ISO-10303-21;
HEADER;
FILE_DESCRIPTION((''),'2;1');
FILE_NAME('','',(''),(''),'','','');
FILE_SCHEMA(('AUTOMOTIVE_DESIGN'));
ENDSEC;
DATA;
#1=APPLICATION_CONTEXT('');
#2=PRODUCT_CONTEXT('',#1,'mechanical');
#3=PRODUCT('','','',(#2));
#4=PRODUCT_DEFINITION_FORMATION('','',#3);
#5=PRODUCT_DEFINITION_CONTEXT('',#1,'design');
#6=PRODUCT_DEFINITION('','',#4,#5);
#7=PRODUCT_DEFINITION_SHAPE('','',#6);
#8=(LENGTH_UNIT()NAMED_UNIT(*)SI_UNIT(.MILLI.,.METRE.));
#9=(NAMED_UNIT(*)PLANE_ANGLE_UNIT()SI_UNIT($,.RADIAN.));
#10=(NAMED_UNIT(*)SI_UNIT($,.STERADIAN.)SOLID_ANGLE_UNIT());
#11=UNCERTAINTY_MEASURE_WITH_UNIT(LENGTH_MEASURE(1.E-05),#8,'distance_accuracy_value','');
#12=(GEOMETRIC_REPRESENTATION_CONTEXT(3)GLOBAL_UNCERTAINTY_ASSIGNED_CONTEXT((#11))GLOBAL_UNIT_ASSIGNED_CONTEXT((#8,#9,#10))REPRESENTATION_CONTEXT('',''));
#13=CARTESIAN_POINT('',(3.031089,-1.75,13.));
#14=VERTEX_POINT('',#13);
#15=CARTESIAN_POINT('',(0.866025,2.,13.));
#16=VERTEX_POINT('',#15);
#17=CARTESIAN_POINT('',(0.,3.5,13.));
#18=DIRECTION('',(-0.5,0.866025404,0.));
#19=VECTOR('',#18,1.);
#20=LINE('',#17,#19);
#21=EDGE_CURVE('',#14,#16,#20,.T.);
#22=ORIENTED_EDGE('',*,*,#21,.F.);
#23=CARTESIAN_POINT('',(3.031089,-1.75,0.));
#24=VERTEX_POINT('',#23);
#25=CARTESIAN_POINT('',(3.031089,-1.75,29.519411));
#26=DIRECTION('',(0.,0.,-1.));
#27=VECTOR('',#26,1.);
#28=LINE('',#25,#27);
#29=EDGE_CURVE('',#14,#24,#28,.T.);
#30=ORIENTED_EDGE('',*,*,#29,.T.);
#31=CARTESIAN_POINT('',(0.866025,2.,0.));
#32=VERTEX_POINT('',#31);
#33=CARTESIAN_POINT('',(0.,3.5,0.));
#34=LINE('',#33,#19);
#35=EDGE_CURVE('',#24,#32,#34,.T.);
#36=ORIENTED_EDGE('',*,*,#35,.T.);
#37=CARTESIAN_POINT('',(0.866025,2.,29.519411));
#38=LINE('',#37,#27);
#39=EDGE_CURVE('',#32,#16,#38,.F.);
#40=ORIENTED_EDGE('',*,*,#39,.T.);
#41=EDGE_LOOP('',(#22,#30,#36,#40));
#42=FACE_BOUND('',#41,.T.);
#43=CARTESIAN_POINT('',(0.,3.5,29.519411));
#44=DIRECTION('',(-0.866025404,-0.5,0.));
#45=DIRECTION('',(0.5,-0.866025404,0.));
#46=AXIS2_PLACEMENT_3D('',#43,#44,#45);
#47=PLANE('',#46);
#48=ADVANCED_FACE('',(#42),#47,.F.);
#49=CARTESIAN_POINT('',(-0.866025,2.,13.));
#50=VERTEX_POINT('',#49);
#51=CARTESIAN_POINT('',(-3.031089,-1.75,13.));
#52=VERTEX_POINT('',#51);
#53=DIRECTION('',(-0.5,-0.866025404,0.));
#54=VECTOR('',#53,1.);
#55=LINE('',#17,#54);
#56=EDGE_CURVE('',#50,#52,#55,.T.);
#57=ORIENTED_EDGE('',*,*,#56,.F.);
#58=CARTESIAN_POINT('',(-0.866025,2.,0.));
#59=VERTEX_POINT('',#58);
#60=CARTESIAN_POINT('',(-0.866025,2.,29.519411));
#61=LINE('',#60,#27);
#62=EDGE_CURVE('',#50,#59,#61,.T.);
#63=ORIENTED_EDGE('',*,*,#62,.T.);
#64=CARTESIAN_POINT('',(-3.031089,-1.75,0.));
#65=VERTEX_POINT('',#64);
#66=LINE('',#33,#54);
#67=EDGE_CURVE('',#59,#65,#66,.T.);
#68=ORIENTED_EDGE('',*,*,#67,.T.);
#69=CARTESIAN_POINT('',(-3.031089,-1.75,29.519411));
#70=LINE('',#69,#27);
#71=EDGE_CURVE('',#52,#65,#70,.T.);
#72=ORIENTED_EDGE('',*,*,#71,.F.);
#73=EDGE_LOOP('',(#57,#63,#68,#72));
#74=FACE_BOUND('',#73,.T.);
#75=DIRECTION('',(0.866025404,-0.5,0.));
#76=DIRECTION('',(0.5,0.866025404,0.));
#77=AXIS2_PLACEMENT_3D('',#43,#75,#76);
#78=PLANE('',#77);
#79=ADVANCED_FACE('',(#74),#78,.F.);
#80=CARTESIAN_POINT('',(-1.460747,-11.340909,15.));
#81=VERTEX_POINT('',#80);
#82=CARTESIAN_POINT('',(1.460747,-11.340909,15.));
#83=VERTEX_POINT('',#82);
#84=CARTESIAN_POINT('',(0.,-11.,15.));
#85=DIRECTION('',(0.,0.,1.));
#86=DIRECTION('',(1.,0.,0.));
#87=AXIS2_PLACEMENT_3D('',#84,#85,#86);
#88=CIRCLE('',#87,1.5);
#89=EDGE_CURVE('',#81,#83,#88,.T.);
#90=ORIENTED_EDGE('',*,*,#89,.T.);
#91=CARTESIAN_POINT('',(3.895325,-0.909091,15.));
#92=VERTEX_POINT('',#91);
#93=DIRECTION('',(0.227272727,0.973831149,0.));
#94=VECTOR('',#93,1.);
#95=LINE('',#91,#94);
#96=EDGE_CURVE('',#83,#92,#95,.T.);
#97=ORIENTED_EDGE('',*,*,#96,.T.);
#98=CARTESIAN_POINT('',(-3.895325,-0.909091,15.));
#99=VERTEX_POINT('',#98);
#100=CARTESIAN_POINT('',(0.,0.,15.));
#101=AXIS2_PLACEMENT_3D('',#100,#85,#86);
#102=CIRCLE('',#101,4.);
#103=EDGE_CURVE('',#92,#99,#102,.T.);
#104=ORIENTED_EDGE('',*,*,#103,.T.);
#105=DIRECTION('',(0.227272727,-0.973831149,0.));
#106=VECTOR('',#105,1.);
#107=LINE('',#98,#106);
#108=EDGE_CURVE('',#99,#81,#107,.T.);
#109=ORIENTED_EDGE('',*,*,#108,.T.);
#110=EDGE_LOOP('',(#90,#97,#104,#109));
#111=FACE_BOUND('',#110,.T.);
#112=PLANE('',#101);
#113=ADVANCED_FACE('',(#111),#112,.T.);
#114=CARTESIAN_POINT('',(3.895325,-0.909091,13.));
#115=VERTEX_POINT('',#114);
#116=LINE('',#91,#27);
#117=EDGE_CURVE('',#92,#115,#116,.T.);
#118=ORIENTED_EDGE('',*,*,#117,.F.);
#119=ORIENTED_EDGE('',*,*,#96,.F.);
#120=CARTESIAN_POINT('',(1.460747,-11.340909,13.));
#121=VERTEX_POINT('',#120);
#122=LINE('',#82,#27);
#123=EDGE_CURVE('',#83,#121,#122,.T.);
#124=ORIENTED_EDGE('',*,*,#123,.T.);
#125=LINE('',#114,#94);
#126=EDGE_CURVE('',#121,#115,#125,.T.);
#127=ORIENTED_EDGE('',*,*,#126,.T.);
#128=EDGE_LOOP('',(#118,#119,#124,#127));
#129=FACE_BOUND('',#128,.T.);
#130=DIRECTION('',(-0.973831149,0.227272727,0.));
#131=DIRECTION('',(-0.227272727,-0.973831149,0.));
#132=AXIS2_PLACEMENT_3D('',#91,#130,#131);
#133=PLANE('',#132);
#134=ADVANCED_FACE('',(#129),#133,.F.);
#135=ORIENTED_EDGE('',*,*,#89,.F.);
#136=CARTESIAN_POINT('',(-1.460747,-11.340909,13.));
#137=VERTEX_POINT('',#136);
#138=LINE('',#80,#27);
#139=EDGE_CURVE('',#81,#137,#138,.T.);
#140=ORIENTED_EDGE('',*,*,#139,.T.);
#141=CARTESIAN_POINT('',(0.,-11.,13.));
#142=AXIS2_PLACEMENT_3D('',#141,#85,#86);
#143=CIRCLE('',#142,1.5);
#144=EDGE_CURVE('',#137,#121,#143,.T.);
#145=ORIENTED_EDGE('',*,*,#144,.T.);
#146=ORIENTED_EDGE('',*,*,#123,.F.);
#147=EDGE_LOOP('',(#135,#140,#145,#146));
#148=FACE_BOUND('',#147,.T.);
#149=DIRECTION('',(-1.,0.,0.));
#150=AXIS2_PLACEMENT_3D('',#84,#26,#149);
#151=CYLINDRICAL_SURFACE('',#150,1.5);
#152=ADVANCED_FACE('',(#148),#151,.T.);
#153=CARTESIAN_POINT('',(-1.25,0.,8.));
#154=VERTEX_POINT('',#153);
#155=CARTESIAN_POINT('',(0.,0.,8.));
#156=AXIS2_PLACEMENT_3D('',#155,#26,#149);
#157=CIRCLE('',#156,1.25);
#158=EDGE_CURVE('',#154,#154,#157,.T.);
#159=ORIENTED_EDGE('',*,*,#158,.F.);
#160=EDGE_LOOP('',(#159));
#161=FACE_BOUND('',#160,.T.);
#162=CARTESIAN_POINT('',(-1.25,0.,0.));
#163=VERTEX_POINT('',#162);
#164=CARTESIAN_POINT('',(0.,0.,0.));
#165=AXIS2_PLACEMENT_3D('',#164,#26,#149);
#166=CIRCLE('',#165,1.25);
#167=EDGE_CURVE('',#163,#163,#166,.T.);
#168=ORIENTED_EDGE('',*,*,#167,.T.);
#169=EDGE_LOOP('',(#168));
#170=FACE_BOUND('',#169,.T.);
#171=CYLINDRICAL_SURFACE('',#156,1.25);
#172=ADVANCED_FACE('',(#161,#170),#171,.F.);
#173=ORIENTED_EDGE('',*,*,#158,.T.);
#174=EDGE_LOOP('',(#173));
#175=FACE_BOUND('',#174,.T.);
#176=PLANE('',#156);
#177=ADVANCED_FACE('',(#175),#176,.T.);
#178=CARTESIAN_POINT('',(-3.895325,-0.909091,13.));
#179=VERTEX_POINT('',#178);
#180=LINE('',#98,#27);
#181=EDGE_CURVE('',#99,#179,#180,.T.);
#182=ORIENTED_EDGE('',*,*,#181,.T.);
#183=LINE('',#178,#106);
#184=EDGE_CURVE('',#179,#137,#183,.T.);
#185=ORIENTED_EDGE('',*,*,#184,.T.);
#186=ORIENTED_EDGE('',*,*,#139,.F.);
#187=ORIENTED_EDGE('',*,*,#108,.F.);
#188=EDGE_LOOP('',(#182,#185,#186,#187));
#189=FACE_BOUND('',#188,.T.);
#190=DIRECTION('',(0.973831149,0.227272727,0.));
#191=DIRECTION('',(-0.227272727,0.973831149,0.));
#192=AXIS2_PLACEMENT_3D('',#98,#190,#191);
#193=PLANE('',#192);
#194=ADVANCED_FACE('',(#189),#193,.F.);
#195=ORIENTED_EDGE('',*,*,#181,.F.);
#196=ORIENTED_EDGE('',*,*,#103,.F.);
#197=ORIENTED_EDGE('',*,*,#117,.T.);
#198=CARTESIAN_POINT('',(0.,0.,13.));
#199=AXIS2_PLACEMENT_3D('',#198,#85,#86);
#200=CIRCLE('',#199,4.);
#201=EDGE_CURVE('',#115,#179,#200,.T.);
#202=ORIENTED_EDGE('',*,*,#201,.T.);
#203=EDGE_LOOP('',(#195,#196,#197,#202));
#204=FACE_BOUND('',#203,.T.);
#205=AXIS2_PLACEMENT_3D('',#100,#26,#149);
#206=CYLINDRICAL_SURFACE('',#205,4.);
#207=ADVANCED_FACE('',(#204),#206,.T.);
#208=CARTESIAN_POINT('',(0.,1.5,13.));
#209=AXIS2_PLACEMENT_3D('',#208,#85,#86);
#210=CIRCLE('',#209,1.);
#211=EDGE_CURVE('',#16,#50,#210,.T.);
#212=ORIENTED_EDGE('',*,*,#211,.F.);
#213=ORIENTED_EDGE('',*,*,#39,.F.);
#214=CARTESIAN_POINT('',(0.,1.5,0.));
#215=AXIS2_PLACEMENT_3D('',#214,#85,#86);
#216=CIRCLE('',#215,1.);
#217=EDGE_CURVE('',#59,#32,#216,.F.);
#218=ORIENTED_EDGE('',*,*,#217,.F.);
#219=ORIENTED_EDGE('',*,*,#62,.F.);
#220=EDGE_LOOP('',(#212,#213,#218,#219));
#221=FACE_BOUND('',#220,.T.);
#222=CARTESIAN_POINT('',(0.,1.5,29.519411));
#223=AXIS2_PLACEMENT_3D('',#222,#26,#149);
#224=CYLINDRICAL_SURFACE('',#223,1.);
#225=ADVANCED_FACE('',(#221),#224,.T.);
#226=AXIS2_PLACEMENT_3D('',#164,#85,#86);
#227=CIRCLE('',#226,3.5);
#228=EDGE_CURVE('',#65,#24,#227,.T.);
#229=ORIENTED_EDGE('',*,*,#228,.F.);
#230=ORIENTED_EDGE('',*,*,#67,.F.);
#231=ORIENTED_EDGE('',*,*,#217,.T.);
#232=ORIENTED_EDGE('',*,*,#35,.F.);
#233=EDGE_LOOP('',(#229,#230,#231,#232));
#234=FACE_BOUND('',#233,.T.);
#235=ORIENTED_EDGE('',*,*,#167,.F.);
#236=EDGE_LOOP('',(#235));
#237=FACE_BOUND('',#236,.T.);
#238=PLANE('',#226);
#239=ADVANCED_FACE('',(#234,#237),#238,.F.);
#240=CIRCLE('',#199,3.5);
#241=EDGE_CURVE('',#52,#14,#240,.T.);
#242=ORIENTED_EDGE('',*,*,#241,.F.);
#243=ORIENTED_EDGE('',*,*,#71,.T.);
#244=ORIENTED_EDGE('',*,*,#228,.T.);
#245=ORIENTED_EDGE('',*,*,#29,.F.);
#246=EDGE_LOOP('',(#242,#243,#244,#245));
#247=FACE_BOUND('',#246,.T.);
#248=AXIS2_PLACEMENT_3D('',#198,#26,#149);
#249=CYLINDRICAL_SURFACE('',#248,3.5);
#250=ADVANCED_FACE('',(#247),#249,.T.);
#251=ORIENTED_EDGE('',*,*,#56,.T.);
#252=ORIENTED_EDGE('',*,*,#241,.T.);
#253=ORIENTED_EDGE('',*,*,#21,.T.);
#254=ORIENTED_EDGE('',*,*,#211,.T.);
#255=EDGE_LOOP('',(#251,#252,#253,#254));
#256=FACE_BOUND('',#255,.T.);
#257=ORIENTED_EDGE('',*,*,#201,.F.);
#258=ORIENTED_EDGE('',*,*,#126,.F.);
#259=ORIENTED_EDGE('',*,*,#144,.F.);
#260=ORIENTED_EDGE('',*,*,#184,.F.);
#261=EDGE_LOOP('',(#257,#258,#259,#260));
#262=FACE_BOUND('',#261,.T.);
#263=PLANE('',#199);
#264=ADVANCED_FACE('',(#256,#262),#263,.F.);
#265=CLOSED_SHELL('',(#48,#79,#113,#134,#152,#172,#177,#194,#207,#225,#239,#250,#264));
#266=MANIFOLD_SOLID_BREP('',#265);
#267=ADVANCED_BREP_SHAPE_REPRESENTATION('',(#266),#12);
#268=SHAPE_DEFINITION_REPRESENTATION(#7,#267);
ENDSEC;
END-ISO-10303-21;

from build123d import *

# Parameters (mm, degrees)
SKETCH_1_R          = 3.5
EXTRUDE_1_DEPTH     = 13
EXTRUDE_2_DEPTH     = 2
CUT_EXTRUDE_1_DEPTH = 13
SKETCH_4_R          = 1.25
CUT_EXTRUDE_2_DEPTH = 8
FILLET_1_R          = 1


with BuildPart() as part:
    # 草图1 → 凸台-拉伸1 (new body)
    with BuildSketch(Plane.XY):
        Circle(SKETCH_1_R)
    extrude(amount=EXTRUDE_1_DEPTH)

    # 草图2 → 凸台-拉伸2 (add)
    with BuildSketch(Plane.XY.offset(13)):
        with BuildLine():
            Line((-3.895324597, -0.909090909), (-1.460746724, -11.340909091))
            ThreePointArc((-1.460746724, -11.340909091), (0, -12.5), (1.460746724, -11.340909091))
            Line((1.460746724, -11.340909091), (3.895324597, -0.909090909))
            ThreePointArc((3.895324597, -0.909090909), (0, 4), (-3.895324597, -0.909090909))
        make_face()
    extrude(amount=EXTRUDE_2_DEPTH)

    # 草图3 → 切除-拉伸1 (cut)
    with BuildSketch(Plane(origin=(0, 0, 0), x_dir=(-1, 0, 0), z_dir=(0, 0, -1))):
        Polygon((0, 3.5), (-3.031088913, -1.75), (-6.759949263, -1.75), (0, 7.742275781), (6.759949263, -1.75), (3.031088913, -1.75), align=None)
    extrude(amount=-CUT_EXTRUDE_1_DEPTH, mode=Mode.SUBTRACT)

    # 草图4 → 切除-拉伸2 (cut)
    with BuildSketch(Plane(origin=(0, 0, 0), x_dir=(-1, 0, 0), z_dir=(0, 0, -1))):
        Circle(SKETCH_4_R)
    extrude(amount=-CUT_EXTRUDE_2_DEPTH, mode=Mode.SUBTRACT)

    # 圆角1
    fillet_1_edges = [part.edges().sort_by_distance(p)[0] for p in [
        (0, 3.5, 6.5),
    ]]
    fillet(fillet_1_edges, radius=FILLET_1_R)


solid = part.part
